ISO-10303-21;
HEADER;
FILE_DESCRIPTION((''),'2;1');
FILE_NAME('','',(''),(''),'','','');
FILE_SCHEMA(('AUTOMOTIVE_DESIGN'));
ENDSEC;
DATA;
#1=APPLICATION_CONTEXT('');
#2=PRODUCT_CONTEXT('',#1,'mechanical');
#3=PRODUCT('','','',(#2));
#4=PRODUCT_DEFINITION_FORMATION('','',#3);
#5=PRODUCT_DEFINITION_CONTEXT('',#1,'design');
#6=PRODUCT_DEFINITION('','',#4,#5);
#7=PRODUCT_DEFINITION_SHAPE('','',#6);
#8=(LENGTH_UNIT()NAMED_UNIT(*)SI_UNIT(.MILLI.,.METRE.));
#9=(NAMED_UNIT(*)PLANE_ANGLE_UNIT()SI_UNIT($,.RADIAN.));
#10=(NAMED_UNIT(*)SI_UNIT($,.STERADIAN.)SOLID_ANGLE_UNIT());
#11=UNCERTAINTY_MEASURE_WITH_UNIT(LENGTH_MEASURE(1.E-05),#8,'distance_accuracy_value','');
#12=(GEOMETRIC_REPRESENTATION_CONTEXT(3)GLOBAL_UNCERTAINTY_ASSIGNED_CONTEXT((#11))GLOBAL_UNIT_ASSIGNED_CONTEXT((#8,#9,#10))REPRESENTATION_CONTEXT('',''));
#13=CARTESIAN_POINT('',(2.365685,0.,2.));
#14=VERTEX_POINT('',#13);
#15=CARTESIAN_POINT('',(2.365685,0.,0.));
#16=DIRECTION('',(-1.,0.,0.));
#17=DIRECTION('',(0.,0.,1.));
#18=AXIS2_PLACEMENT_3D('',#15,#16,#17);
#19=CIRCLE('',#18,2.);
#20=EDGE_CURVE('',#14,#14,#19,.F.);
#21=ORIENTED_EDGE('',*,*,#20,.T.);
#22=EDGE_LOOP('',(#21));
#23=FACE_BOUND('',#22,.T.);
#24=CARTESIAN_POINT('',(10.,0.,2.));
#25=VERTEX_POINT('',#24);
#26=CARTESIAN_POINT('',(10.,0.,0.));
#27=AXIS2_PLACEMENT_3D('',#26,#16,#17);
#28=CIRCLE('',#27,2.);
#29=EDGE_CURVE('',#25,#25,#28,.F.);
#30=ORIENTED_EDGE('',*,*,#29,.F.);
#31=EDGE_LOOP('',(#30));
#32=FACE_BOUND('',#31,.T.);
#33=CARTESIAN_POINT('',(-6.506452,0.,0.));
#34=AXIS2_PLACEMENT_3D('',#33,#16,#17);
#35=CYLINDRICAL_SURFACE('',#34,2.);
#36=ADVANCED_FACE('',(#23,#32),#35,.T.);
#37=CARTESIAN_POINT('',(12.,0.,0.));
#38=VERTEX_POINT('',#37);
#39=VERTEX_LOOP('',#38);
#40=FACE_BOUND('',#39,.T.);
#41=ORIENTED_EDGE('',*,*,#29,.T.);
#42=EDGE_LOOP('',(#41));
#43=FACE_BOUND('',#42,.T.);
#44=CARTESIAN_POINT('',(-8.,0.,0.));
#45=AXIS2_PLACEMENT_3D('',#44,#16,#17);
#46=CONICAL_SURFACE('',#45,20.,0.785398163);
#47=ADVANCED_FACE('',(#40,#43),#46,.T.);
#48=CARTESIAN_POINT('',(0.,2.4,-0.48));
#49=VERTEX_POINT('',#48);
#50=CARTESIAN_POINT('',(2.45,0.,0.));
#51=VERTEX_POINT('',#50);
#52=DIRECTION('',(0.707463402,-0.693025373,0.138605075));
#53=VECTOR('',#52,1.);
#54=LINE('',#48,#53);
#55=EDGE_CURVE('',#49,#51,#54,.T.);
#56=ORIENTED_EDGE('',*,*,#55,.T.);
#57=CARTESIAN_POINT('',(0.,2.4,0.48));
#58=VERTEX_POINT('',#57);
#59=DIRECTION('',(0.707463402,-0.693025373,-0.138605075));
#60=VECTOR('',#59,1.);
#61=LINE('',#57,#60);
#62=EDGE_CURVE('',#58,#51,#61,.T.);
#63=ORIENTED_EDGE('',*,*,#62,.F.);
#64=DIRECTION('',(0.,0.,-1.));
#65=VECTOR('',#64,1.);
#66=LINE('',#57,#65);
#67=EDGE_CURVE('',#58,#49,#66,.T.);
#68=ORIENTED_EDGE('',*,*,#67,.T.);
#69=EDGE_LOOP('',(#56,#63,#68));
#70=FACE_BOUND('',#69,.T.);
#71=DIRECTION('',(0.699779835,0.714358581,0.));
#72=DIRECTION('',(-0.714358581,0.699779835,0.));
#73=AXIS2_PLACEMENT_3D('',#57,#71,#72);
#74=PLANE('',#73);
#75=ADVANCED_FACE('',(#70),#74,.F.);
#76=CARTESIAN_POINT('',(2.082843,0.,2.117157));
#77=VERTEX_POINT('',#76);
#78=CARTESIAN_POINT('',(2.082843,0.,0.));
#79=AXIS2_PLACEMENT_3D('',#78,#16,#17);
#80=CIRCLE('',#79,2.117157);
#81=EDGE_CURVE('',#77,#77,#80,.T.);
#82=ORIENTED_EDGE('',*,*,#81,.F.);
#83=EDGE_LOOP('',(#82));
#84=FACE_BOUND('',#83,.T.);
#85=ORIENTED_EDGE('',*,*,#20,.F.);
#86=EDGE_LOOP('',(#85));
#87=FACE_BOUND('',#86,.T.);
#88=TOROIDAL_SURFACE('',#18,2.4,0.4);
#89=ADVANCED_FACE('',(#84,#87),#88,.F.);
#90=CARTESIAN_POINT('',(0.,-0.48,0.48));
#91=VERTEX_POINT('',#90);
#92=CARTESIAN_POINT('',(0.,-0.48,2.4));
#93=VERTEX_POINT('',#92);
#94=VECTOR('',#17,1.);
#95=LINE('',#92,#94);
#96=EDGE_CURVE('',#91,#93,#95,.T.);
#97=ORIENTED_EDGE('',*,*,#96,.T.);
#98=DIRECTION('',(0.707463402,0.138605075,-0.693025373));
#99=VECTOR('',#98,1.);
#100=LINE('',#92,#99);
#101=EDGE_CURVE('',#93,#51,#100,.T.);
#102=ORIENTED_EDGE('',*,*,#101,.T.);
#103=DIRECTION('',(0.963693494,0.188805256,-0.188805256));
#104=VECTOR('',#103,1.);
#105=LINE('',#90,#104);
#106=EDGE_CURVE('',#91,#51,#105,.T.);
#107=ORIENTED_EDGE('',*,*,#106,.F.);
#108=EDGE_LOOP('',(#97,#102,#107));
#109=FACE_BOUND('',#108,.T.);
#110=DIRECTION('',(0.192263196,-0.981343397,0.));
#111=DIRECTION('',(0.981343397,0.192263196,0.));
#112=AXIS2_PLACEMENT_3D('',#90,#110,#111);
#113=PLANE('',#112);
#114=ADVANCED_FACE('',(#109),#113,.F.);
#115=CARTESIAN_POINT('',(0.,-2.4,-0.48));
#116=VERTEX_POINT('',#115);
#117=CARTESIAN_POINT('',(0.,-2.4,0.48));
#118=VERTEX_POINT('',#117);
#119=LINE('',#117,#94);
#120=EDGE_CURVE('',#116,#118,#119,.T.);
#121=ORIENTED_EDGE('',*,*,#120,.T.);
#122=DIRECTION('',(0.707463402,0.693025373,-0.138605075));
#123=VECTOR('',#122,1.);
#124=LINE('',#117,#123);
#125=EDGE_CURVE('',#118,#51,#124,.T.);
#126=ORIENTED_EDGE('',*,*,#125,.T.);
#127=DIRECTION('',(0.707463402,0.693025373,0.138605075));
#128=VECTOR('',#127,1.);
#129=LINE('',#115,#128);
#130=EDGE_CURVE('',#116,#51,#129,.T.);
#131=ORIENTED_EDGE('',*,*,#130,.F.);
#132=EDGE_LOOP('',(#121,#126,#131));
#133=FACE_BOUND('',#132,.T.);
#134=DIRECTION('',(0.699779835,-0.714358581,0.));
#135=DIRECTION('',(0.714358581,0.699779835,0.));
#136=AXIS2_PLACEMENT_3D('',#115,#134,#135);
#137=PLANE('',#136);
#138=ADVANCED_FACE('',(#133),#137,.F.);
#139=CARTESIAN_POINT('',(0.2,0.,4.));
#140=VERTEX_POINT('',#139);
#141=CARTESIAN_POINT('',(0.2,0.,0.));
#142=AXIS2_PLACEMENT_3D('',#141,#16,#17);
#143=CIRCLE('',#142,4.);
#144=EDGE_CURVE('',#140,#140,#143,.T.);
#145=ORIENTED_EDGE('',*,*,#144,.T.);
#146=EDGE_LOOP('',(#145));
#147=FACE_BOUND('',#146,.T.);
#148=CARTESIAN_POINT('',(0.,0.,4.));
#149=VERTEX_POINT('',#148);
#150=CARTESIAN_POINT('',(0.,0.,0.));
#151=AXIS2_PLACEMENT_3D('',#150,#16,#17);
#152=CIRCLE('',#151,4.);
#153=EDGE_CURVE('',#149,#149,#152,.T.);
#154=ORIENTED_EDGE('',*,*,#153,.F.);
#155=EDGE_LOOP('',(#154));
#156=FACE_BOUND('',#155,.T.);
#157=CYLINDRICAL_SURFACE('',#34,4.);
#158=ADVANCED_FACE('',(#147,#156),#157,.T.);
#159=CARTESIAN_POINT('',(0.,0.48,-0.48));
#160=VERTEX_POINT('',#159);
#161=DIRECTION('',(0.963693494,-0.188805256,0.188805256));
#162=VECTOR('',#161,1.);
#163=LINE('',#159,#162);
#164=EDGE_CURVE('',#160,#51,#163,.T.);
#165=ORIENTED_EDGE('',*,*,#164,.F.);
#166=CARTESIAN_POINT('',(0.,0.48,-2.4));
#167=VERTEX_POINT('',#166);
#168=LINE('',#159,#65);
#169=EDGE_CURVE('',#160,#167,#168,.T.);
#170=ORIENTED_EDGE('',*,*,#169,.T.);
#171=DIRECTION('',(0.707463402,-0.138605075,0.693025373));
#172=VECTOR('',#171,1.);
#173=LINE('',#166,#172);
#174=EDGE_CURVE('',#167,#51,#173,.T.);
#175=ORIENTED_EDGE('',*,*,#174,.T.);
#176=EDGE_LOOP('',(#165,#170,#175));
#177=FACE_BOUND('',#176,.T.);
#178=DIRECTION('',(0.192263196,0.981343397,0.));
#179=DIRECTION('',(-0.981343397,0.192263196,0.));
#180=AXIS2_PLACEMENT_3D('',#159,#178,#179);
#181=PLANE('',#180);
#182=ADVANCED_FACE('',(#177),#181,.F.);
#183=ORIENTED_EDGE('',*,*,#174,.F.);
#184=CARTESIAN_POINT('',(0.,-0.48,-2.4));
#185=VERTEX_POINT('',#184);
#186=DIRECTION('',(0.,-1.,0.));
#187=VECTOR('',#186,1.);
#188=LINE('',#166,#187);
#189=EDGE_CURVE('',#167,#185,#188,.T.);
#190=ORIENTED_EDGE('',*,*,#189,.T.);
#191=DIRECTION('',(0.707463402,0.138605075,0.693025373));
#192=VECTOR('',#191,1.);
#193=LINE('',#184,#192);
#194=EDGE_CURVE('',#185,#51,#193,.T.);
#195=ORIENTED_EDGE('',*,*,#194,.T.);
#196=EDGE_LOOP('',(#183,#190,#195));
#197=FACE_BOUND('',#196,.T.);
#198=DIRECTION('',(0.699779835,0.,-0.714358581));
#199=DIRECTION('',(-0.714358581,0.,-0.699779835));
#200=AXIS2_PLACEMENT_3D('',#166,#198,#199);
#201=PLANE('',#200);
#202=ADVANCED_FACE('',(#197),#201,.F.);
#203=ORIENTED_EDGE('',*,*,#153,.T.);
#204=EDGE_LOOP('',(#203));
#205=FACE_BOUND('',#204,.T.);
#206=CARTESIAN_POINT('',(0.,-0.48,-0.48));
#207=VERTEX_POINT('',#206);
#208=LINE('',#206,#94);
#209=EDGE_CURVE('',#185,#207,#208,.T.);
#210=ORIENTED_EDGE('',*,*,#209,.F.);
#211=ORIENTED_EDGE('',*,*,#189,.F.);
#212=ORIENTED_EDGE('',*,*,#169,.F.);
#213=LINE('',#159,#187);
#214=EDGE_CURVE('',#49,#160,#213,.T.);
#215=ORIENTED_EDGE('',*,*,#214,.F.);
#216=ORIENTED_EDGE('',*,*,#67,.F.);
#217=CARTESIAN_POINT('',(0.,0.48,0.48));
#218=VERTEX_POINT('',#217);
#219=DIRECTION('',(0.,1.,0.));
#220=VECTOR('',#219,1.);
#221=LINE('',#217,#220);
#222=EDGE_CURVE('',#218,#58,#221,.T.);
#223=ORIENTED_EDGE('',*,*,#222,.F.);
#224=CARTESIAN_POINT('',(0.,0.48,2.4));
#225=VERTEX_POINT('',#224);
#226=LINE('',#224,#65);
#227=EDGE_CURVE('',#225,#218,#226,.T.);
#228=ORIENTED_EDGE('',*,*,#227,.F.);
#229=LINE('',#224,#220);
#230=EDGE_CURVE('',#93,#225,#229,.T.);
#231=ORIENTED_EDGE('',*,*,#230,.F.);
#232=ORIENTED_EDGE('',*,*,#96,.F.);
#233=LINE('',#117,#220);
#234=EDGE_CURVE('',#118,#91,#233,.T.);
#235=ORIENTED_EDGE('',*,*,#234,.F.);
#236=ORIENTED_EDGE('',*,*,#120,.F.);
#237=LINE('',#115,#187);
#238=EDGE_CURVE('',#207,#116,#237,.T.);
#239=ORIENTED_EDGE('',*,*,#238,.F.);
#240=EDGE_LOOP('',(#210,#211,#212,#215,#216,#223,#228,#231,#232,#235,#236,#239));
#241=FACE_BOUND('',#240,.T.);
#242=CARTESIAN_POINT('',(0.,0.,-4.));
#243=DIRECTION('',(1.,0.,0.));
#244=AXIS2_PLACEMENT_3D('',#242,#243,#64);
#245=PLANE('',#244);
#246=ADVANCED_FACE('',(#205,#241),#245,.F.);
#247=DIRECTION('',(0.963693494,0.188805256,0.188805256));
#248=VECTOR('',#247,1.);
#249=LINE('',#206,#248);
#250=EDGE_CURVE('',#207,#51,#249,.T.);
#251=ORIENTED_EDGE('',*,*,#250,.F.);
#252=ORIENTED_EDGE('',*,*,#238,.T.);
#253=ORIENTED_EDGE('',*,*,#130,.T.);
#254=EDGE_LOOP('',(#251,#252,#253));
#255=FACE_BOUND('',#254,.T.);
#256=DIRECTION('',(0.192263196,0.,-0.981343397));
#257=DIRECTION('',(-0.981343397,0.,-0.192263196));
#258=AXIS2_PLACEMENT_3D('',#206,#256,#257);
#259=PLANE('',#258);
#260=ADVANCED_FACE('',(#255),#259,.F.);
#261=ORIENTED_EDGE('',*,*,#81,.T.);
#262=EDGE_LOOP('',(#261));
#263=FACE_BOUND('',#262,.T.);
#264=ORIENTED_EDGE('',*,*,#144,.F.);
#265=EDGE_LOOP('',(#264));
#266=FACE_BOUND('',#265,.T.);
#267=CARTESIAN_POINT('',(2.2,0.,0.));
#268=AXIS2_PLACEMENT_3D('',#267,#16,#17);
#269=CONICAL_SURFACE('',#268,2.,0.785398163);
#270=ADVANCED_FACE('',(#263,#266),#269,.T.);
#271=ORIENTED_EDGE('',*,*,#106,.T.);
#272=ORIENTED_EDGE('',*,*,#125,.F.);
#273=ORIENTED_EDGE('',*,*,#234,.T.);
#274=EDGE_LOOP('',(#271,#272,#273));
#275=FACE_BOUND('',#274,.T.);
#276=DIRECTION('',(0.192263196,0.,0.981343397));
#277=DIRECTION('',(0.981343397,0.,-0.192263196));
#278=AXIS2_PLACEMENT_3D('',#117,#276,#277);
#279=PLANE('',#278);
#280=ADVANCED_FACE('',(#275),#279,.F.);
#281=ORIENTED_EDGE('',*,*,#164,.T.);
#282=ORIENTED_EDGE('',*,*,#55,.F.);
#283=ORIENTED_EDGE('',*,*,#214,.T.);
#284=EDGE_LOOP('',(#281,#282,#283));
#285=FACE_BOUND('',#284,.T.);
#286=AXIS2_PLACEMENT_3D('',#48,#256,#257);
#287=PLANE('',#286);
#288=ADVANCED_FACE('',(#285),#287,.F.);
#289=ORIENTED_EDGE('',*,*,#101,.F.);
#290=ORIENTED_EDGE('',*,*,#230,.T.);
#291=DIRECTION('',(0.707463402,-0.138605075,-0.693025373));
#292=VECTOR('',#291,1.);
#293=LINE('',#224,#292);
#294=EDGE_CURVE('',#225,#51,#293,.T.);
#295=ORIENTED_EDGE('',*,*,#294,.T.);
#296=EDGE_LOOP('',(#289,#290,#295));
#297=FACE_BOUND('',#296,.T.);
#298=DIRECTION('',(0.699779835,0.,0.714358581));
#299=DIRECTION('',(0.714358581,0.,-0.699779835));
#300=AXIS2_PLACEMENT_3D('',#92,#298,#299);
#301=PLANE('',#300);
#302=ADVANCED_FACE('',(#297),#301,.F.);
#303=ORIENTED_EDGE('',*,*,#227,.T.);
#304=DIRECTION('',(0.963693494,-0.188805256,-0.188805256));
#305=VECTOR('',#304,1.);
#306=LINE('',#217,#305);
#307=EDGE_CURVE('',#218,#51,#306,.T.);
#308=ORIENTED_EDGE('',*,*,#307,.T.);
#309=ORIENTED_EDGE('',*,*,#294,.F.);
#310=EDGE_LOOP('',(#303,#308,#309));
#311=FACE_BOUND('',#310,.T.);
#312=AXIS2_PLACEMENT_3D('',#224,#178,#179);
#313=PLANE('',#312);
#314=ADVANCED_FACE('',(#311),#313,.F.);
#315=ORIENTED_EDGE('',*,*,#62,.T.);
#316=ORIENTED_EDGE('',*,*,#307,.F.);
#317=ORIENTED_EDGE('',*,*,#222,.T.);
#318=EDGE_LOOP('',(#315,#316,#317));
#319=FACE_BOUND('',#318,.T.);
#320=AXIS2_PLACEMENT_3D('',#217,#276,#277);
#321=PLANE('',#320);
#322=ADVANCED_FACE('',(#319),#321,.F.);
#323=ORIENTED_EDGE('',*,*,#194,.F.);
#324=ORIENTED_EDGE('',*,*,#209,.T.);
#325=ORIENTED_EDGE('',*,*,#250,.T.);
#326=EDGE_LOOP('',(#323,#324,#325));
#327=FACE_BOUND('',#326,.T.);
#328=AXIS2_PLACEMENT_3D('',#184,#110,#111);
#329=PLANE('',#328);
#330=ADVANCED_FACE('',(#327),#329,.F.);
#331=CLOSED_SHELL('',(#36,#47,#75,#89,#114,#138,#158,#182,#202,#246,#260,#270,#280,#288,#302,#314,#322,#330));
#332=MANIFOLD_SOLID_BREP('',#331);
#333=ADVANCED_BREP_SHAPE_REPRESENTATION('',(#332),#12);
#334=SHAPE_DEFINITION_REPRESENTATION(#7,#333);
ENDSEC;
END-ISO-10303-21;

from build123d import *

# Parameters (mm, degrees)
FILLET2_R = 0.4


with BuildPart() as part:
    # Sketch1 → Base (revolve)
    with BuildSketch(Plane(origin=(0, 0, 0), x_dir=(1, 0, 0), z_dir=(0, 1, 0)), mode=Mode.PRIVATE) as base_sk:
        Polygon((2.2, 2), (12, 2), (12, 0), (0, 0), (0, 4), (0.2, 4), align=None)
    revolve(base_sk.sketch.rotate(Axis((-6.506452013, 0, 0), (1, 0, 0)), 180), axis=Axis((-6.506452013, 0, 0), (1, 0, 0)))

    # Sketch3 → Cut-Revolve1 (revolve, cut)
    with BuildSketch(Plane.XY, mode=Mode.PRIVATE) as cut_revolve1_sk:
        Polygon((12.15755877, 0), (12.15755877, 20), (-8, 20), (12, 0), align=None)
    revolve(cut_revolve1_sk.sketch.rotate(Axis((4.883468835, 0, 0), (1, 0, 0)), 90), axis=Axis((4.883468835, 0, 0), (1, 0, 0)), mode=Mode.SUBTRACT)

    # Fillet2
    fillet2_edges = [part.edges().sort_by_distance(p)[0] for p in [
        (2.2, 0, -2),
    ]]
    fillet(fillet2_edges, radius=FILLET2_R)

    # Sketch2 → Cut-Loft1 section 0
    with BuildSketch(Plane(origin=(0, -0.680816871, 0.306758275), x_dir=(0, 0, 1), z_dir=(-1, 0, 0)), mode=Mode.PRIVATE) as cut_loft1_s0:
        with BuildLine():
            Line((-0.786758275, 1.160816871), (-2.706758275, 1.160816871))
            Line((-2.706758275, 1.160816871), (-2.706758275, 0.200816871))
            Line((-2.706758275, 0.200816871), (-0.786758275, 0.200816871))
            Line((-0.786758275, 0.200816871), (-0.786758275, -1.719183129))
            Line((-0.786758275, -1.719183129), (0.173241725, -1.719183129))
            Line((0.173241725, -1.719183129), (0.173241725, 0.200816871))
            Line((0.173241725, 0.200816871), (2.093241725, 0.200816871))
            Line((2.093241725, 0.200816871), (2.093241725, 1.160816871))
            Line((2.093241725, 1.160816871), (0.173241725, 1.160816871))
            Line((0.173241725, 1.160816871), (0.173241725, 3.080816871))
            Line((0.173241725, 3.080816871), (-0.786758275, 3.080816871))
            Line((-0.786758275, 3.080816871), (-0.786758275, 1.160816871))
        make_face()
    loft([cut_loft1_s0.sketch, Vertex(2.45, 0, 0)], mode=Mode.SUBTRACT)


solid = part.part
